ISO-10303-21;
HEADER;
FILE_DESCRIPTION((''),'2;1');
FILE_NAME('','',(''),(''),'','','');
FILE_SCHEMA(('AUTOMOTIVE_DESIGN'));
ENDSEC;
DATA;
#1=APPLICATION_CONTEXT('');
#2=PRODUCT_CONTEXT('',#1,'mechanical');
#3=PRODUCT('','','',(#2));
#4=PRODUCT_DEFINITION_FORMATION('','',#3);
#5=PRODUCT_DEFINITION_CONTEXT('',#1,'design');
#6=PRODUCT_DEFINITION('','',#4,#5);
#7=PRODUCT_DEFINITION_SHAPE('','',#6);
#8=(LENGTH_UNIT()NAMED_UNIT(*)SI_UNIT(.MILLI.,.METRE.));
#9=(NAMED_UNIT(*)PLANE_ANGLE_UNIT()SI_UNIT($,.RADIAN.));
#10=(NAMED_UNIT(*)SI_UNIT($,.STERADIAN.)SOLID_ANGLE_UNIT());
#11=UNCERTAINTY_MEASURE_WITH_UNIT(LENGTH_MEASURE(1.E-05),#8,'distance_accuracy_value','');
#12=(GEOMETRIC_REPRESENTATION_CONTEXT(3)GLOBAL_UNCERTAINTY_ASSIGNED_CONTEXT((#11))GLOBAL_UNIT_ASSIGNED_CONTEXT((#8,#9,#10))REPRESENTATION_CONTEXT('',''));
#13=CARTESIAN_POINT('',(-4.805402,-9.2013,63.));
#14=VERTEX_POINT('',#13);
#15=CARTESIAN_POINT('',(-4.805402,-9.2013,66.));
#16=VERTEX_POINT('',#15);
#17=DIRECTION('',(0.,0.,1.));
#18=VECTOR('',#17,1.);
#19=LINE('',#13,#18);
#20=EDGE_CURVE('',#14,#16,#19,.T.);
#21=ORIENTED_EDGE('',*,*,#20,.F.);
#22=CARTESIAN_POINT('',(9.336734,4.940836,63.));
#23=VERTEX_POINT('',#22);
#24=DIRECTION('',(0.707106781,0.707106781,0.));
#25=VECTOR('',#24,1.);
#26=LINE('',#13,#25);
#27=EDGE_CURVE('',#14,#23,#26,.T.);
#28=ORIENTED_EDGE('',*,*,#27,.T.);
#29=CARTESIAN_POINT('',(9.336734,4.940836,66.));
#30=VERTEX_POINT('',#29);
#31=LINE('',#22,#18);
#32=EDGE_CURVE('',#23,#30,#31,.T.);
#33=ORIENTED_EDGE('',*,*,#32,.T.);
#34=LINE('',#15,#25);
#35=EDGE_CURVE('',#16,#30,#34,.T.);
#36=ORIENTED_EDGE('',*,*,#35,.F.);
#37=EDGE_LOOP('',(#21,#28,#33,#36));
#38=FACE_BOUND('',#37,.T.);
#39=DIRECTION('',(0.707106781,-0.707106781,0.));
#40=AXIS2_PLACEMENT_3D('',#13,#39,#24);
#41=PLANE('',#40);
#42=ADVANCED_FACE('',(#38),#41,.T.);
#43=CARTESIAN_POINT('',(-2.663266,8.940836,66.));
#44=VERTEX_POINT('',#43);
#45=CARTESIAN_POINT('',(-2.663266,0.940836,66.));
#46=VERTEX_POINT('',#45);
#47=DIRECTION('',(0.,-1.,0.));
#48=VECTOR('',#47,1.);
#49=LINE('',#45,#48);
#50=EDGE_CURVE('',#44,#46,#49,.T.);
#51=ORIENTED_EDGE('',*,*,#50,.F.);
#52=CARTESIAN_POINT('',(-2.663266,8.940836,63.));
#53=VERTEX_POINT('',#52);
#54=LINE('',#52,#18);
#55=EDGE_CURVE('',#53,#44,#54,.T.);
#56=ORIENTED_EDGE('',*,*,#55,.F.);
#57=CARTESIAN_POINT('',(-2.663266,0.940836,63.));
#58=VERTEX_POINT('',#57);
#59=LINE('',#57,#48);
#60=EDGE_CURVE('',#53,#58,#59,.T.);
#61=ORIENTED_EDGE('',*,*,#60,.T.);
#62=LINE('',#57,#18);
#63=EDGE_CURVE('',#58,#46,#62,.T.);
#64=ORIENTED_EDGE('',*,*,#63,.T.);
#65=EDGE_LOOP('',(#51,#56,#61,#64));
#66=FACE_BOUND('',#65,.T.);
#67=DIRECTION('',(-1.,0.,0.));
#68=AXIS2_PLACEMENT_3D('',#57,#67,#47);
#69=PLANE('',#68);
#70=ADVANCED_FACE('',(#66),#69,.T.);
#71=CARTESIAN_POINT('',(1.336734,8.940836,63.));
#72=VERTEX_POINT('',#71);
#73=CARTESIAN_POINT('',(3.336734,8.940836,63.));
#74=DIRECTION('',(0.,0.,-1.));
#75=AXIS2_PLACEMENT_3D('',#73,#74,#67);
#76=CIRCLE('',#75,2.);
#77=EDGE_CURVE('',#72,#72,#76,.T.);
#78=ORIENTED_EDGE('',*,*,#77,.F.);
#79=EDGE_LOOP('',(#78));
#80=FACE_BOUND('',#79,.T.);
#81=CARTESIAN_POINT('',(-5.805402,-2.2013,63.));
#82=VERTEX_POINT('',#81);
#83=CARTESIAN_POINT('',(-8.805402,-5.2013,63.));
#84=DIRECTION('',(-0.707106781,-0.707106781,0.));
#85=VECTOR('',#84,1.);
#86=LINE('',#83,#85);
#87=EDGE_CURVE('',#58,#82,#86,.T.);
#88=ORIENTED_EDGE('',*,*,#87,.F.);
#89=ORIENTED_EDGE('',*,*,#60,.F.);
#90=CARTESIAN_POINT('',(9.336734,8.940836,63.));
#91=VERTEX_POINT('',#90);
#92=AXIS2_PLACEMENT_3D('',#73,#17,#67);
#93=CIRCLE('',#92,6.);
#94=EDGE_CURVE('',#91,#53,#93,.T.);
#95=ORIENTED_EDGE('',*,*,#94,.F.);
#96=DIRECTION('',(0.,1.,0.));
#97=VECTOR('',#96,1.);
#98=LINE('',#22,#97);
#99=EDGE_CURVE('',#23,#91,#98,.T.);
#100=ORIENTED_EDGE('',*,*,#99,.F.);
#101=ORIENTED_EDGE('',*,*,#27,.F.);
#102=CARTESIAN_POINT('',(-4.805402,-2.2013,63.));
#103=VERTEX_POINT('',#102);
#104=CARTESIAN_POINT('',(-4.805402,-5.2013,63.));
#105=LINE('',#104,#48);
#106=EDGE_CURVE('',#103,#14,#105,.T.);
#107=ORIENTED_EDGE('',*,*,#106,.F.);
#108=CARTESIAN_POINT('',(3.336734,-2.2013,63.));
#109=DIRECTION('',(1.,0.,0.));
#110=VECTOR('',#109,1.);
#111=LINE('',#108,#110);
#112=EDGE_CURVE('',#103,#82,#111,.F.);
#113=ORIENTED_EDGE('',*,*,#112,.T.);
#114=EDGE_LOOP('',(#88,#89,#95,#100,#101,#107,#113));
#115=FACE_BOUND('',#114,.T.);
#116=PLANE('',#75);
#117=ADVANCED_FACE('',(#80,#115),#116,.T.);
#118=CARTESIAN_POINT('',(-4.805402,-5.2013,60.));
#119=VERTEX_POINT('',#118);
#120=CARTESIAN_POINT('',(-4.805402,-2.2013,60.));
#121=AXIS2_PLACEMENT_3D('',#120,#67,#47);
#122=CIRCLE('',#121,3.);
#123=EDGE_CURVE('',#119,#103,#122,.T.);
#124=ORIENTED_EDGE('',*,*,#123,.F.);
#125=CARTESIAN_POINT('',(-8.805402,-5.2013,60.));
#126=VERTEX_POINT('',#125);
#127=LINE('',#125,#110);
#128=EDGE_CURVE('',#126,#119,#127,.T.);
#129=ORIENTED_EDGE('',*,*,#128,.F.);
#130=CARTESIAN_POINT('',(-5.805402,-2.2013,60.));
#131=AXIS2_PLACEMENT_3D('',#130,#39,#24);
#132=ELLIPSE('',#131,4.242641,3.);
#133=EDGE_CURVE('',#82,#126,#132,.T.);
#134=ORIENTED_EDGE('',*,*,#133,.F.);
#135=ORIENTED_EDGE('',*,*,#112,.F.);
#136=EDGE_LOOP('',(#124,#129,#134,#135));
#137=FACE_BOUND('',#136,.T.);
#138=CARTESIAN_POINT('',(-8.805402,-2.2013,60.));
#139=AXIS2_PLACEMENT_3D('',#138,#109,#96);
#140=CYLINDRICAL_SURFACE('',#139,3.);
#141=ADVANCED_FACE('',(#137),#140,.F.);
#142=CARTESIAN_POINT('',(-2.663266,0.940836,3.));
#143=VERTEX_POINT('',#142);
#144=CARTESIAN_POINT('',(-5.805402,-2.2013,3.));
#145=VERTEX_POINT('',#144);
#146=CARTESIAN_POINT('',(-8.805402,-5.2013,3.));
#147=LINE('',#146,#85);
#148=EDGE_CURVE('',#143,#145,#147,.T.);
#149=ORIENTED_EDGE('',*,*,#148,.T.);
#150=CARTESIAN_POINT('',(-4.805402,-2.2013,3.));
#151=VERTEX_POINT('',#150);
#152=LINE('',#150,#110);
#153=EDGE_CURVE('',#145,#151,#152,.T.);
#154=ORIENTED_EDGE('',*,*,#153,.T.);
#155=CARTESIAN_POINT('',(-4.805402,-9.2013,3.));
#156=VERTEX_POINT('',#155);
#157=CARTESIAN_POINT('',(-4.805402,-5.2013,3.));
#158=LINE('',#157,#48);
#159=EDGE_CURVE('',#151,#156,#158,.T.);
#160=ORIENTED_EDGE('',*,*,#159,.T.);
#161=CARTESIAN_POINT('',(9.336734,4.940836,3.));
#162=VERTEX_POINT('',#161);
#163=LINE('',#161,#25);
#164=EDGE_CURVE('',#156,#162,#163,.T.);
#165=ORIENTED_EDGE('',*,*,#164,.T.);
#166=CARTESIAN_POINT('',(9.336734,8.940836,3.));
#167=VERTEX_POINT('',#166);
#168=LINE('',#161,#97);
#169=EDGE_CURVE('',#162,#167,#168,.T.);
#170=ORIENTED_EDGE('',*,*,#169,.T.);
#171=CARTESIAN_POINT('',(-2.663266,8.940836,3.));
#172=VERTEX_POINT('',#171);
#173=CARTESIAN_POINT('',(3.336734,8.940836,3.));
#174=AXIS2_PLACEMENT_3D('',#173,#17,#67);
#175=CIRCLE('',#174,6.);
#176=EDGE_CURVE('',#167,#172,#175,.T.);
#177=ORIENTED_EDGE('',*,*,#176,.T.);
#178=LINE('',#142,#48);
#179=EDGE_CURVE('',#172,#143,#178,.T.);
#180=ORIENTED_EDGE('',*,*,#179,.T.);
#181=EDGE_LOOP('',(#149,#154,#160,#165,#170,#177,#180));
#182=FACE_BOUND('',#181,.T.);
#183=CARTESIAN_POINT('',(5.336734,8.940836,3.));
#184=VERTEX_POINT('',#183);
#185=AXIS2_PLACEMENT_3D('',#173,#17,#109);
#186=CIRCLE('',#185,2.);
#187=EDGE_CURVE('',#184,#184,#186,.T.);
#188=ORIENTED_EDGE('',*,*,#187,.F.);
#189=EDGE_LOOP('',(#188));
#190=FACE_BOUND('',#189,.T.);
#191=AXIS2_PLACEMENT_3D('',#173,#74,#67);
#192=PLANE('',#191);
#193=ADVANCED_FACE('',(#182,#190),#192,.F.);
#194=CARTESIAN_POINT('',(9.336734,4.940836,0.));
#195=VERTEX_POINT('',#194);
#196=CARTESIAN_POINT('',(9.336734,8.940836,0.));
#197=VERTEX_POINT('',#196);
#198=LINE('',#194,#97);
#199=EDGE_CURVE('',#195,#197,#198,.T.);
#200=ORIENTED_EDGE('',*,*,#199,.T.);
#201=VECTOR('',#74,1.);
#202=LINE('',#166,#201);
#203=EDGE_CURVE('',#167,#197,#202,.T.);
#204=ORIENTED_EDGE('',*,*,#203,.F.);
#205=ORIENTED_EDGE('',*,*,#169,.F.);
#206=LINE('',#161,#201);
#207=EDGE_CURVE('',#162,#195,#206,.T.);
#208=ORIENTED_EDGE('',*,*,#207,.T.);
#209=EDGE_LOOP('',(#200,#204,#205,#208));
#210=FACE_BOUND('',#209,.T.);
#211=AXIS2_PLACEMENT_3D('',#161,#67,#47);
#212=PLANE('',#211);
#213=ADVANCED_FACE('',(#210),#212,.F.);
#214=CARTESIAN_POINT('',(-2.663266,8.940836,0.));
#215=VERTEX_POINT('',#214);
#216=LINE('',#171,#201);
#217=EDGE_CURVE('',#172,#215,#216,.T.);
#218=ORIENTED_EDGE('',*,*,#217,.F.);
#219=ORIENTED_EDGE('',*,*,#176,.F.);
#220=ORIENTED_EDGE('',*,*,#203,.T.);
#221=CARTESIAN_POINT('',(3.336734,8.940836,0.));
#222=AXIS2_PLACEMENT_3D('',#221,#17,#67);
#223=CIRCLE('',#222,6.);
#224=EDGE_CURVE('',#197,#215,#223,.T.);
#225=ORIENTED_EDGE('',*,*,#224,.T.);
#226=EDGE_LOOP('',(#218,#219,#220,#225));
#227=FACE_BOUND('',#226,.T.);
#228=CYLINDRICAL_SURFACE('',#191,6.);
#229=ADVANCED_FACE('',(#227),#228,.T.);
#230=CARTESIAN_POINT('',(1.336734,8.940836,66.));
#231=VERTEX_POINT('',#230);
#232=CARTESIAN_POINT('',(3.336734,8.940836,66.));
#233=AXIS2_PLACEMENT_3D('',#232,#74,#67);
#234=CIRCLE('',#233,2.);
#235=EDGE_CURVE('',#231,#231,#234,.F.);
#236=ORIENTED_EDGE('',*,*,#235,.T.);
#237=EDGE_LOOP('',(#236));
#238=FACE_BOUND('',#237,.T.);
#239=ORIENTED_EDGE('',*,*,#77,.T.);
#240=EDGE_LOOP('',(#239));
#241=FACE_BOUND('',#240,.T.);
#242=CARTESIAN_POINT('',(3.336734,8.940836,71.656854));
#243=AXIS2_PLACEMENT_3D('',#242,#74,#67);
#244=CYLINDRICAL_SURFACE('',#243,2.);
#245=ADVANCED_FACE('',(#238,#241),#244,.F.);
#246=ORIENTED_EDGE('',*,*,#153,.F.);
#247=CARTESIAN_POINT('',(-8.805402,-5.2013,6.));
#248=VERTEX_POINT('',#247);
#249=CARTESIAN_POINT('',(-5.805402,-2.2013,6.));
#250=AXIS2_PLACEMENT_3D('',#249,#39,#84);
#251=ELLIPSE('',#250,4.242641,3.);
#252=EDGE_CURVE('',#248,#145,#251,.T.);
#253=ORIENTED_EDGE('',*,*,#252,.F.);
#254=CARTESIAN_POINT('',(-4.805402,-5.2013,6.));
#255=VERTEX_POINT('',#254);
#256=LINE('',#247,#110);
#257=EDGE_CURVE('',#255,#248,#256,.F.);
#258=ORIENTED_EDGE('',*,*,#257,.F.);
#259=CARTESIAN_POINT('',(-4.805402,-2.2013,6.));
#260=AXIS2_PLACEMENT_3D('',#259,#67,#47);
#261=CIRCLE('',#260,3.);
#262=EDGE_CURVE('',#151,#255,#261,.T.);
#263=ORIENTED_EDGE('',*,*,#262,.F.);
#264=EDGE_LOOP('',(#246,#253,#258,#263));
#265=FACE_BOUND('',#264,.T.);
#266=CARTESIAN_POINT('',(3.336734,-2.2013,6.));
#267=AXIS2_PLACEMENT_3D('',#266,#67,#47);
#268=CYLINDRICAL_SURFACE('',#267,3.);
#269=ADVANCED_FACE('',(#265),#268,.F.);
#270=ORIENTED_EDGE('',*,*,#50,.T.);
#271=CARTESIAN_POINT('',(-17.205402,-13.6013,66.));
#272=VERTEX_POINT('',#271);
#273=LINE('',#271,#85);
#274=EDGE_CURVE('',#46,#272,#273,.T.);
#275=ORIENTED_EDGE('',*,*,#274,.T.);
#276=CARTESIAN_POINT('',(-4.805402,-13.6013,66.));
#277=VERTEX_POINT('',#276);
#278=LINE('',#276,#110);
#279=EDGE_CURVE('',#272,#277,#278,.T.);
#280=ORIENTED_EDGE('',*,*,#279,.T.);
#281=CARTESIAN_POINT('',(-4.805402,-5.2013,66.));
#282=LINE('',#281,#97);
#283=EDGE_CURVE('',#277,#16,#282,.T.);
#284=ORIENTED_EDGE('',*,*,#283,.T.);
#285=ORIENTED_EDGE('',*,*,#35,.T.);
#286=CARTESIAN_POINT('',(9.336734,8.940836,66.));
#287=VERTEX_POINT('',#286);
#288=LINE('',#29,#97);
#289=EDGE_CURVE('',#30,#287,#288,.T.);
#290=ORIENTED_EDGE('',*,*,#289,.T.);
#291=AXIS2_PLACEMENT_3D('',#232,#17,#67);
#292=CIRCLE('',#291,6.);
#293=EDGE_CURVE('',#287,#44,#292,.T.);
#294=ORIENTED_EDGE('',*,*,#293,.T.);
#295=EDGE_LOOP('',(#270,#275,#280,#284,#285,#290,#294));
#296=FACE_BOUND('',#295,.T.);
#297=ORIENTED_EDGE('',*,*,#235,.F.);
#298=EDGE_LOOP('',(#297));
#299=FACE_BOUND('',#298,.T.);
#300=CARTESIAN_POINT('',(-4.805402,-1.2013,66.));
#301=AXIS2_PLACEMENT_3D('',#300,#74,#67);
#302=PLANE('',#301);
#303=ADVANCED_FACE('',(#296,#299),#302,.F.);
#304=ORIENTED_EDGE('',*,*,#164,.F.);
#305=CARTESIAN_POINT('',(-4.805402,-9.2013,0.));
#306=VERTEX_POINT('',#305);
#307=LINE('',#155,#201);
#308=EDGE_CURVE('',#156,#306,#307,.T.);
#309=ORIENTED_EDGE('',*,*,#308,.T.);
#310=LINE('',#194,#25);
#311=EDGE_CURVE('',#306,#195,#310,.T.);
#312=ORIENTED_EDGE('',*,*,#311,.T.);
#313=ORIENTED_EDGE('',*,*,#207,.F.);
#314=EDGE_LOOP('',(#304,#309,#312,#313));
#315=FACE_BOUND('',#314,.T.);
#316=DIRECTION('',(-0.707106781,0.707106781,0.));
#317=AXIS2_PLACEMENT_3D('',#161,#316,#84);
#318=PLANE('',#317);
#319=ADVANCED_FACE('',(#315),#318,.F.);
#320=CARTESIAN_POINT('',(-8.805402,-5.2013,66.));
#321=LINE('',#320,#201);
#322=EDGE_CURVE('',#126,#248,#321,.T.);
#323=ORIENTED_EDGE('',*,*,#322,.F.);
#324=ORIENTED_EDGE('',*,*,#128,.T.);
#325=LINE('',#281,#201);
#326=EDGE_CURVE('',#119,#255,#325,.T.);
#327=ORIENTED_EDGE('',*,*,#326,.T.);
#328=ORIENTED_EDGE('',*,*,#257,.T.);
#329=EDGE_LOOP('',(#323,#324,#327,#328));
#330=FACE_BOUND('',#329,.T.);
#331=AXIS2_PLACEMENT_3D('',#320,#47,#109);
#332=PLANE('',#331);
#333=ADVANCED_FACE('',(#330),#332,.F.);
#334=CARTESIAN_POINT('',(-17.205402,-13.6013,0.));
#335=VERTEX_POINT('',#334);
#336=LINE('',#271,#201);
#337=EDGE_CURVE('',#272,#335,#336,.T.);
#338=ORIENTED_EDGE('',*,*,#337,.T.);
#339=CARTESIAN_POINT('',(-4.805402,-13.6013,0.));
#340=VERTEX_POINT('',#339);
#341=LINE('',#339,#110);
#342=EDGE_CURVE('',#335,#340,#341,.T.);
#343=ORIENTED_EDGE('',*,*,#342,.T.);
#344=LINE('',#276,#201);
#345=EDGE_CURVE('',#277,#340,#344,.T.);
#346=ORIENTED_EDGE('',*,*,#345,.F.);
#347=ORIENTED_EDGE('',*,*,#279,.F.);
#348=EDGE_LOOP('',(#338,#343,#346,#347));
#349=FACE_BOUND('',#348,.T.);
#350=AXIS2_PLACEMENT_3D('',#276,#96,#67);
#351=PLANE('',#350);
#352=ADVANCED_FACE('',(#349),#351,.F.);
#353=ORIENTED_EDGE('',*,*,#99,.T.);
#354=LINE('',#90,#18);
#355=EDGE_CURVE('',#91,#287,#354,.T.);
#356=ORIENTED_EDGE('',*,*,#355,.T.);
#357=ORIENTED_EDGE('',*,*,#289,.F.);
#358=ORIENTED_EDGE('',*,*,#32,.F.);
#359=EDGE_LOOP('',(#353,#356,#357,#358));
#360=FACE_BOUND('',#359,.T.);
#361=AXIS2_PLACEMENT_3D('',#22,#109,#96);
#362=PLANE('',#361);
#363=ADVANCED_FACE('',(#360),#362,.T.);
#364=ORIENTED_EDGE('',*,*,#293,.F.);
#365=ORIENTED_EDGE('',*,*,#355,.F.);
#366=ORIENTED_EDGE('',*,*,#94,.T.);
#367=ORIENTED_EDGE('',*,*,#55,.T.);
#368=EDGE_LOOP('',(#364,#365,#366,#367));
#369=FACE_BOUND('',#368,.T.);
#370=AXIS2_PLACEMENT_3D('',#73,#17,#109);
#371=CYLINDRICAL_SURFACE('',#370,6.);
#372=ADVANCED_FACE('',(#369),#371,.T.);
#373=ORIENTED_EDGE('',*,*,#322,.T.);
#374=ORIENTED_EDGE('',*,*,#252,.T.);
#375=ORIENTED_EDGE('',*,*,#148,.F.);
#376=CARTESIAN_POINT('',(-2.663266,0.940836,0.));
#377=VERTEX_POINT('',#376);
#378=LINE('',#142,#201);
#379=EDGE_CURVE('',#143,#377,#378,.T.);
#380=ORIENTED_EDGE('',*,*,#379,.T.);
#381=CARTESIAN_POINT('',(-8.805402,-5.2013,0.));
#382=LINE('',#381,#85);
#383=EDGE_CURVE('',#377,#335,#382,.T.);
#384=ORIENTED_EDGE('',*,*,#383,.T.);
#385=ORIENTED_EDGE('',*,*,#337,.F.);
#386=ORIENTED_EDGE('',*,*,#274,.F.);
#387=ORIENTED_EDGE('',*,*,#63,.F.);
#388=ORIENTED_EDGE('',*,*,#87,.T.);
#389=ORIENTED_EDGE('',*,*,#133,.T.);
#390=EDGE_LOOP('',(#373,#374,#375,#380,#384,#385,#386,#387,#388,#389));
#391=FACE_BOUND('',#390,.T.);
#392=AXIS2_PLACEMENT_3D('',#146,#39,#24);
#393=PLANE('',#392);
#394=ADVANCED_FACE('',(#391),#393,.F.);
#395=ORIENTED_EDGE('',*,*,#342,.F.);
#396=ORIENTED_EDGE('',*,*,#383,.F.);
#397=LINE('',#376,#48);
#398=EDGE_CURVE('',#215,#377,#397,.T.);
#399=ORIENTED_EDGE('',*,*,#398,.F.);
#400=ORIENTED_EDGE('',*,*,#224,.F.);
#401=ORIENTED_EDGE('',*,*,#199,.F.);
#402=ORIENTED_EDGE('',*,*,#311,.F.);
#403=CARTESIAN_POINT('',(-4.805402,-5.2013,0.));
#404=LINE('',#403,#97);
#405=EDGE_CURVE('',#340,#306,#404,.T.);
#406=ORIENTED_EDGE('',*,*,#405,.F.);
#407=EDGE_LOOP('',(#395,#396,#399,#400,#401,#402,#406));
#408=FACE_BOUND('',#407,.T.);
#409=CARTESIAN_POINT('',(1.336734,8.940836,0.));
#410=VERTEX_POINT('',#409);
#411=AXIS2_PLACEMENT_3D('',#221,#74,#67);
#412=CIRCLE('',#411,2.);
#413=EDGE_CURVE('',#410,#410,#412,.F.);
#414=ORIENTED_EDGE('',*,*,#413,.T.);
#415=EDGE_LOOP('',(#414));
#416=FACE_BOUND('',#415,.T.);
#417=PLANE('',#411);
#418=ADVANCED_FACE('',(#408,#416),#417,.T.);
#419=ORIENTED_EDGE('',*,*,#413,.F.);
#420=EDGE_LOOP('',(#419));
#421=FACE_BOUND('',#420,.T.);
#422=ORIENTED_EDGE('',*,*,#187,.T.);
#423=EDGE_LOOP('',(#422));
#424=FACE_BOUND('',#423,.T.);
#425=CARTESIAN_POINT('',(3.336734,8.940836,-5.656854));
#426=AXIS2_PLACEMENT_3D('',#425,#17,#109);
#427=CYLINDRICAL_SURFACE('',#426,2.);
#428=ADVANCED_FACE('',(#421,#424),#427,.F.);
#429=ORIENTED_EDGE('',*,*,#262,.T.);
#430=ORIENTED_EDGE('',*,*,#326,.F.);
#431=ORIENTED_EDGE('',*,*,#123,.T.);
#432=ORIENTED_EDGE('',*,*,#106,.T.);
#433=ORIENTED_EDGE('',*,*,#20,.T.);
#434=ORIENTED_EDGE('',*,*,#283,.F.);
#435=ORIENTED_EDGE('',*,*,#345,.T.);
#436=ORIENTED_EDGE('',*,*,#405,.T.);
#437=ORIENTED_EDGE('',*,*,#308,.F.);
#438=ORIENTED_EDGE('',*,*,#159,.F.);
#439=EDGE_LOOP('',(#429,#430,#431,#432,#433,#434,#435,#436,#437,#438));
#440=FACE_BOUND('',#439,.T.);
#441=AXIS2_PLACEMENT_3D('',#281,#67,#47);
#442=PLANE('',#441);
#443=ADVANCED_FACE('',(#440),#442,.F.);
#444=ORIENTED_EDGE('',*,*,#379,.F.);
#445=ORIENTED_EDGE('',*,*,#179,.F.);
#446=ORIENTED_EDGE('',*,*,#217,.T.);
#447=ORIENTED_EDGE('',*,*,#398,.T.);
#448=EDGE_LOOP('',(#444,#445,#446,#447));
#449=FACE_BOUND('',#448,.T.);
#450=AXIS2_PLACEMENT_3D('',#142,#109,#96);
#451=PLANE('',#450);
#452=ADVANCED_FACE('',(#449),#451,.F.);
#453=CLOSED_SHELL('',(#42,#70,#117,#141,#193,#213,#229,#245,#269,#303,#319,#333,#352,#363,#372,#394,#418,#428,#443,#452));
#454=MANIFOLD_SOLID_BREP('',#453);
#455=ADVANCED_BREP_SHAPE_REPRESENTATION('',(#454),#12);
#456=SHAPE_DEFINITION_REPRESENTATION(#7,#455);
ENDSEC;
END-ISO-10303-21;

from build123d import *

# Parameters (mm, degrees)
EXTRUDE1_DEPTH = 3
EXTRUDE2_DEPTH = 66
EXTRUDE3_START = -3
EXTRUDE3_DEPTH = 3
SKETCH2_R      = 2
EXTRUDE4_DEPTH = 3
EXTRUDE5_START = -3
SKETCH6_R      = 2
EXTRUDE5_DEPTH = 3
FILLET3_R      = 3


with BuildPart() as part:
    # Sketch1 → Extrude1 (new body)
    with BuildSketch(Plane.XY):
        with BuildLine():
            Line((-8.805401881, -5.201299994), (-2.663266257, 0.94083563))
            Line((-2.663266257, 0.94083563), (-2.663266257, 8.94083563))
            ThreePointArc((-2.663266257, 8.94083563), (3.336733743, 14.94083563), (9.336733743, 8.94083563))
            Line((9.336733743, 8.94083563), (9.336733743, 4.94083563))
            Line((9.336733743, 4.94083563), (-4.805401881, -9.201299994))
            Line((-4.805401881, -9.201299994), (-4.805401881, -5.201299994))
            Line((-4.805401881, -5.201299994), (-8.805401881, -5.201299994))
        make_face()
    extrude(amount=EXTRUDE1_DEPTH)

    # Sketch3 → Extrude2 (add)
    with BuildSketch(Plane.XY):
        Polygon((-8.805401881, -5.201299994), (-4.805401881, -5.201299994), (-4.805401881, -13.601299994), (-17.205401881, -13.601299994), align=None)
    extrude(amount=EXTRUDE2_DEPTH)

    # Sketch4 → Extrude3 (add)
    with BuildSketch(Plane.XY.offset(66).offset(EXTRUDE3_START)):
        with BuildLine():
            Line((-8.805401881, -5.201299994), (-4.805401881, -5.201299994))
            Line((-4.805401881, -5.201299994), (-4.805401881, -9.201299994))
            Line((-4.805401881, -9.201299994), (9.336733743, 4.94083563))
            Line((9.336733743, 4.94083563), (9.336733743, 8.94083563))
            ThreePointArc((9.336733743, 8.94083563), (3.336733743, 14.94083563), (-2.663266257, 8.94083563))
            Line((-2.663266257, 8.94083563), (-2.663266257, 0.94083563))
            Line((-2.663266257, 0.94083563), (-8.805401881, -5.201299994))
        make_face()
    extrude(amount=EXTRUDE3_DEPTH)

    # Sketch2 → Extrude4 (cut)
    with BuildSketch(Plane.XY.offset(3)):
        with Locations((3.336733743, 8.94083563)):
            Circle(SKETCH2_R)
    extrude(amount=-EXTRUDE4_DEPTH, mode=Mode.SUBTRACT)

    # Sketch6 → Extrude5 (cut)
    with BuildSketch(Plane(origin=(0, 0, 63), x_dir=(-1, 0, 0), z_dir=(0, 0, -1)).offset(EXTRUDE5_START)):
        with Locations(Location((-3.336733743, 8.94083563, 0), (0, 0, 180))):
            Circle(SKETCH6_R)
    extrude(amount=EXTRUDE5_DEPTH, mode=Mode.SUBTRACT)

    # Fillet3
    fillet3_edges = [part.edges().sort_by_distance(p)[0] for p in [
        (-6.805401881, -5.201299994, 3),
        (-6.805401881, -5.201299994, 63),
    ]]
    fillet(fillet3_edges, radius=FILLET3_R)


solid = part.part
